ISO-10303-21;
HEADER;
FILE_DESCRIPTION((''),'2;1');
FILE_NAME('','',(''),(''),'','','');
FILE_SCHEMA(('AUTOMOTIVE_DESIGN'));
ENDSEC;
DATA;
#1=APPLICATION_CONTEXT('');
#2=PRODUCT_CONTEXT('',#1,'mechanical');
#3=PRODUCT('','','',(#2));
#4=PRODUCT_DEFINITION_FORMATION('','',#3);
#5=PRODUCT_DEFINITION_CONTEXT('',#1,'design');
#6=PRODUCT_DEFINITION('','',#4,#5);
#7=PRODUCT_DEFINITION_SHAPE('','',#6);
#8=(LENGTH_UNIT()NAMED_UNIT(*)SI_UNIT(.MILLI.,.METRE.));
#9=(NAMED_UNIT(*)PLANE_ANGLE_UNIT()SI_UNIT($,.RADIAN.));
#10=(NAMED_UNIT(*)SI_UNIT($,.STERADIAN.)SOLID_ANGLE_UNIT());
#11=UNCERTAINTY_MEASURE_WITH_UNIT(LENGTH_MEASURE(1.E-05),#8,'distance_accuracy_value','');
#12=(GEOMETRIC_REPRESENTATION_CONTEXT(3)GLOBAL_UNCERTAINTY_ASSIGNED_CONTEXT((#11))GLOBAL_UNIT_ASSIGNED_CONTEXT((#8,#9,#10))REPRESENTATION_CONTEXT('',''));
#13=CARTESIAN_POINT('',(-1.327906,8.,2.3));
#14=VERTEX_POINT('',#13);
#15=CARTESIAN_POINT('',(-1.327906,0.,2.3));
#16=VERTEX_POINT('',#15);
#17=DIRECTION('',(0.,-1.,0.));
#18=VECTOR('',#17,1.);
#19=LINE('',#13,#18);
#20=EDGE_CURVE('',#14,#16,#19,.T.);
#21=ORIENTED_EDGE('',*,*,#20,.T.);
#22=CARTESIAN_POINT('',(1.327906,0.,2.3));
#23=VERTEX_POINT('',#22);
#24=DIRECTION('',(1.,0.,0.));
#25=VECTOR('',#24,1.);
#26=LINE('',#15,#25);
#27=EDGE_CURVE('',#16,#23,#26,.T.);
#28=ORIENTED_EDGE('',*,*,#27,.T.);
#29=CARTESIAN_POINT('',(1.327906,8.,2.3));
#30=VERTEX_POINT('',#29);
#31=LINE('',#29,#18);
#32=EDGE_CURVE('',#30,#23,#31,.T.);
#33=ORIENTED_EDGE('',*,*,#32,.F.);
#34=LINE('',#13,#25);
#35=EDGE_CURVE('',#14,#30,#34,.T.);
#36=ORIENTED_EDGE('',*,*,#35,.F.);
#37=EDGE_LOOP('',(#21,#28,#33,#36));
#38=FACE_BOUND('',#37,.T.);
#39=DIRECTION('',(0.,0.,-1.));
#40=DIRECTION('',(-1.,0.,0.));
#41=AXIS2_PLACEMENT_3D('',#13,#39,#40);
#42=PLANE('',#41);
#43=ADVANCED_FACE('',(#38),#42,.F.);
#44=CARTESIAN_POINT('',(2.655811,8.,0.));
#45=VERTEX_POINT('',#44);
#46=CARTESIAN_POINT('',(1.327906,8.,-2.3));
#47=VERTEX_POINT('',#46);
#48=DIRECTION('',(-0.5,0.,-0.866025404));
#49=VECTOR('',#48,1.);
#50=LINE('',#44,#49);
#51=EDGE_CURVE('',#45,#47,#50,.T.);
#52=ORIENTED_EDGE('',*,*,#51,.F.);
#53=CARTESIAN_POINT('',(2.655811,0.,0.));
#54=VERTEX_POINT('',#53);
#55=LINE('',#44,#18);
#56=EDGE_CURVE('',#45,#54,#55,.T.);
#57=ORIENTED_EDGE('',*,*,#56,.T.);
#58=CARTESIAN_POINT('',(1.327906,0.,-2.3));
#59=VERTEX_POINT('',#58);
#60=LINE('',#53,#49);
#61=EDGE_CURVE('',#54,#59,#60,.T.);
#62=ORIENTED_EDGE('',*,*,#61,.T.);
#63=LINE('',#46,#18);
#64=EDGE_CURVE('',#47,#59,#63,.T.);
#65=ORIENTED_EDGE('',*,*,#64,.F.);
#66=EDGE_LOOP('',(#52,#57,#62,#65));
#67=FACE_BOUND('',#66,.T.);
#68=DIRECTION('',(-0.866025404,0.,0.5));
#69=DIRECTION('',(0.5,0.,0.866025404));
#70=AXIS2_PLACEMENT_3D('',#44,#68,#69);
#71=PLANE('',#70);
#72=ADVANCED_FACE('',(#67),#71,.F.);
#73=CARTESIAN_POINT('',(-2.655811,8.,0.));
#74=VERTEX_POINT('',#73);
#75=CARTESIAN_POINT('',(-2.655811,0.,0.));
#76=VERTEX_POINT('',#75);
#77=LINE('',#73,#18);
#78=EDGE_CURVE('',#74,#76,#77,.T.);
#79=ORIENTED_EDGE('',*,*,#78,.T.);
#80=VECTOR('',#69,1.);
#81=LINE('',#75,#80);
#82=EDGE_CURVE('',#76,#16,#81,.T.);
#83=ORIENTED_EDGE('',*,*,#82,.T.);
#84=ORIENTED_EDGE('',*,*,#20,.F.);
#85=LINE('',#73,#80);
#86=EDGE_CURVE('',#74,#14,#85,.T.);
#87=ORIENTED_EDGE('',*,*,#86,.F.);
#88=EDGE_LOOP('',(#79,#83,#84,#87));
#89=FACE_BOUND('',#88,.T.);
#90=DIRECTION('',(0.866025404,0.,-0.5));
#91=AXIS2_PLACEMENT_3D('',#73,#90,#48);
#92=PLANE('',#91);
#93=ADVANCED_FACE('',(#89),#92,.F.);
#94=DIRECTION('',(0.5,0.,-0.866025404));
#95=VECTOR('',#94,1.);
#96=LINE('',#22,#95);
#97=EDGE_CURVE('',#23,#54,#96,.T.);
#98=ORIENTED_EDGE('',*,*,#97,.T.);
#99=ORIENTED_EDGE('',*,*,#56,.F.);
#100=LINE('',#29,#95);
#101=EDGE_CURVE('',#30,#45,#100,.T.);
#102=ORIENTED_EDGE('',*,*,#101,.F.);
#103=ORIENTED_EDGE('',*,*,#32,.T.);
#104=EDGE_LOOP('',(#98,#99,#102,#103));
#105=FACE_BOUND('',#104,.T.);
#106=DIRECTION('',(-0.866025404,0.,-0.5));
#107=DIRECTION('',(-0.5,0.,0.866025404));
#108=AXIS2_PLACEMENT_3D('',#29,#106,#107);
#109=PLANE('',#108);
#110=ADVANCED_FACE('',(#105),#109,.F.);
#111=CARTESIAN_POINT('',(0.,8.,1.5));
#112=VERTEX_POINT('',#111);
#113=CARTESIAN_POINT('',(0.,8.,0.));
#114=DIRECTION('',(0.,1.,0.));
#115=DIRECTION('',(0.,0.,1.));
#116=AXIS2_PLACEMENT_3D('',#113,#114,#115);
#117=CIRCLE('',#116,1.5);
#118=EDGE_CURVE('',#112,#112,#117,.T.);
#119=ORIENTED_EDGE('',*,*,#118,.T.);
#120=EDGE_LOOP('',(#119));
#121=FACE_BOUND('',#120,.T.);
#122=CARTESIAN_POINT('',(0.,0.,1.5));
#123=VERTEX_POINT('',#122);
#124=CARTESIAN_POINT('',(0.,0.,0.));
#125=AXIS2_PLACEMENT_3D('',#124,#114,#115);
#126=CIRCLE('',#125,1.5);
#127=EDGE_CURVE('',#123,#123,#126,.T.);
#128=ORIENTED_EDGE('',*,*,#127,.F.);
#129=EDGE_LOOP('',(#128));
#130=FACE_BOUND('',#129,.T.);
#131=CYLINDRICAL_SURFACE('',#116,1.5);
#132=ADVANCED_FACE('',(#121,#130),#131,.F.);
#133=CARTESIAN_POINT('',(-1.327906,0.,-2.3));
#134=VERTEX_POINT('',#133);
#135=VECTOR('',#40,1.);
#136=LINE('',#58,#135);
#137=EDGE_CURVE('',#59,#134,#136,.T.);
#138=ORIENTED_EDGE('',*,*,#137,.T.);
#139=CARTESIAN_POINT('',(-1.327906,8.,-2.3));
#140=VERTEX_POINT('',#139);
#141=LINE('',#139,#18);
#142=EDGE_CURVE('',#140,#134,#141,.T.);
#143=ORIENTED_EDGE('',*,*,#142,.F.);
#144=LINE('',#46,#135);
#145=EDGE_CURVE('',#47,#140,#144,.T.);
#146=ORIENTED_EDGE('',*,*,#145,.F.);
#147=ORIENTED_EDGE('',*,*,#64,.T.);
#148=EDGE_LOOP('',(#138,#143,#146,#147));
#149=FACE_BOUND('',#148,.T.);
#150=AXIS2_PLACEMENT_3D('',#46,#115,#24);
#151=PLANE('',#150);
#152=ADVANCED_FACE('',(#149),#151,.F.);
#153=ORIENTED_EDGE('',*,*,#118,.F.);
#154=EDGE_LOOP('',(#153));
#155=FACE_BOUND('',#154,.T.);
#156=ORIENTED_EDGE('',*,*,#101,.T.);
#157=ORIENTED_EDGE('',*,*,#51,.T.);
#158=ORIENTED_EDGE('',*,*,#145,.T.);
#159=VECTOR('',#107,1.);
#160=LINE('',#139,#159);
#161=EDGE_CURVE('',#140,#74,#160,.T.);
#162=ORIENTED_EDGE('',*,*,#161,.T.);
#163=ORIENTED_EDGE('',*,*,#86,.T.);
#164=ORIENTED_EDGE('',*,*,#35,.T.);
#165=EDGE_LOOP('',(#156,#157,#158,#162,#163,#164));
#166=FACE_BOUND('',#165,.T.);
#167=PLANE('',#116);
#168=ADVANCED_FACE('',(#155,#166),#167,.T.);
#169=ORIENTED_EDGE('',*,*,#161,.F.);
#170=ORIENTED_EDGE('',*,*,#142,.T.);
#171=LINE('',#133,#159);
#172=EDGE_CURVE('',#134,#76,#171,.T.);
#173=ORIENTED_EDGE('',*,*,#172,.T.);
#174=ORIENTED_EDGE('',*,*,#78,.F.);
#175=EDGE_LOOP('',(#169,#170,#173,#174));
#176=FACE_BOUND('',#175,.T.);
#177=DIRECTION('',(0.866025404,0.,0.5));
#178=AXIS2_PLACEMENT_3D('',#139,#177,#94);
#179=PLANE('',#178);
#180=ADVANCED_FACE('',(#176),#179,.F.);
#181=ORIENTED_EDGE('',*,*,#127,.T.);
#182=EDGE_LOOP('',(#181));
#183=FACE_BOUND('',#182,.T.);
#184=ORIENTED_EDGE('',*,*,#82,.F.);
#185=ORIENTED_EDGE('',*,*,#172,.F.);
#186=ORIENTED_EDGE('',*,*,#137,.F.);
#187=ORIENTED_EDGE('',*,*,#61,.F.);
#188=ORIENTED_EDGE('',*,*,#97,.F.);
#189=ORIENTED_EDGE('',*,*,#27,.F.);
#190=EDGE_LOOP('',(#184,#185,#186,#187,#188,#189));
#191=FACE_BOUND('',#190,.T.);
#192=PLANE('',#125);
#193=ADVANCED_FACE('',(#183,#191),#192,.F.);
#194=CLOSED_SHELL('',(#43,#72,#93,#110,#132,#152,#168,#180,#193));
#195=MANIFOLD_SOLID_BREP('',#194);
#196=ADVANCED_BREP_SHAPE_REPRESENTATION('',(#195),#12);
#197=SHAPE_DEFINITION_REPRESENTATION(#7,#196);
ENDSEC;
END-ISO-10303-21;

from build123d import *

# Parameters (mm, degrees)
EXTRUDE_1_DEPTH = 8
HOLE_WIZARD_1_D = 3


with BuildPart() as part:
    # 草图1 → 凸台-拉伸1 (new body)
    with BuildSketch(Plane(origin=(0, 0, 0), x_dir=(1, 0, 0), z_dir=(0, 1, 0))):
        Polygon((2.655811238, 0), (1.327905619, 2.3), (-1.327905619, 2.3), (-2.655811238, 0), (-1.327905619, -2.3), (1.327905619, -2.3), align=None)
    extrude(amount=EXTRUDE_1_DEPTH)

    # 孔1 (through all)
    with Locations(Plane(origin=(0, 8, 0), x_dir=(1, 0, 0), z_dir=(0, 1, 0))):
        with Locations((0, 0)):
            Hole(HOLE_WIZARD_1_D / 2)


solid = part.part
